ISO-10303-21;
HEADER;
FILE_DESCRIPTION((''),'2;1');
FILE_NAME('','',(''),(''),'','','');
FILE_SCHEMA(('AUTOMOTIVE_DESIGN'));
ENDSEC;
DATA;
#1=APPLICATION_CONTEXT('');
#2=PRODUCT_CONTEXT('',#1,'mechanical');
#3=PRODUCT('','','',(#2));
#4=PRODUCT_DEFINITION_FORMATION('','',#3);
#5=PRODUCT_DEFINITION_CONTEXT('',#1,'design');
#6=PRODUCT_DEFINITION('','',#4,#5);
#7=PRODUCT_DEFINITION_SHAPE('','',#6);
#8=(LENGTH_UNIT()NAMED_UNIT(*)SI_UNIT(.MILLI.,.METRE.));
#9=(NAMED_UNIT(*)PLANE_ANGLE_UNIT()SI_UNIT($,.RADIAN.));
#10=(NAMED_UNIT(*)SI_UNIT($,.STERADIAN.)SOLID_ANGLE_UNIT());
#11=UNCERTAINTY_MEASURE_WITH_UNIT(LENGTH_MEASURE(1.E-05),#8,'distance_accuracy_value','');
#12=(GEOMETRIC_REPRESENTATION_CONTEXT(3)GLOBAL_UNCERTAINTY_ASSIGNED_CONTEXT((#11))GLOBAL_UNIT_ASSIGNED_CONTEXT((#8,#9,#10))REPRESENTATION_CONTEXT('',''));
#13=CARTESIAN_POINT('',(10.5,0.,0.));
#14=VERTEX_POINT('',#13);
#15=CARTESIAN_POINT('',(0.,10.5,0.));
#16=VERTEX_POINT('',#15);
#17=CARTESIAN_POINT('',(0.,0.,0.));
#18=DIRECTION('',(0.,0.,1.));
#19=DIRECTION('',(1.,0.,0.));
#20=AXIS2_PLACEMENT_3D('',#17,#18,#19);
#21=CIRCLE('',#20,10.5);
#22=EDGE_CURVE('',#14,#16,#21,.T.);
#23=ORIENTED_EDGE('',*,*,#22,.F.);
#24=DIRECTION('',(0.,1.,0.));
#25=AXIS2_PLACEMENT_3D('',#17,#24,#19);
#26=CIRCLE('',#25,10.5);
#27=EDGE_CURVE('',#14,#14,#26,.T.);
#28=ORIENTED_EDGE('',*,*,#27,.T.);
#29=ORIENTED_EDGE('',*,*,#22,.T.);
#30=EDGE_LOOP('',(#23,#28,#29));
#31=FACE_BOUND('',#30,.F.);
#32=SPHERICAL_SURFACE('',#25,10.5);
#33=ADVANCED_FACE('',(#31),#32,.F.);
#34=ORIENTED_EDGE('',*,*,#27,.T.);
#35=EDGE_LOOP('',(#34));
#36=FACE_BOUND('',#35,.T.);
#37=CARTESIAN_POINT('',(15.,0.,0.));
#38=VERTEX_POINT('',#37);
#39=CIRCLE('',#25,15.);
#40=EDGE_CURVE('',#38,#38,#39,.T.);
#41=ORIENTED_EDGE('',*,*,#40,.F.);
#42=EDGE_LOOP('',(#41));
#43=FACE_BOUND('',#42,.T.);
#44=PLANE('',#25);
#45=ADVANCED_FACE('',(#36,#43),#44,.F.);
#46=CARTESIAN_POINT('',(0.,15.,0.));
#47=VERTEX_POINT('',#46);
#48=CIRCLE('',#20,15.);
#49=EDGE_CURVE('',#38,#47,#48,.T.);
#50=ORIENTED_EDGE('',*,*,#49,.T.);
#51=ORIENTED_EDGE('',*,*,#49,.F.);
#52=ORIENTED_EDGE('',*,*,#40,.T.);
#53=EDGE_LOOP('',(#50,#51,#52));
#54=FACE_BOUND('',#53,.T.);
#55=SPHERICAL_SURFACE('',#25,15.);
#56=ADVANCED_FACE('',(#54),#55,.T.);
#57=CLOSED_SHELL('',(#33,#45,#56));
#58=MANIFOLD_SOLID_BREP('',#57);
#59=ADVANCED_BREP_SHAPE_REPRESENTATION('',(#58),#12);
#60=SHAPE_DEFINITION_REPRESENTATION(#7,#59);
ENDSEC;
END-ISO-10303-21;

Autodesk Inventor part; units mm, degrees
ref_plane "YZ Plane" through (0, 0, 0) normal (1, 0, 0) x (0, 1, 0)
ref_plane "XZ Plane" through (0, 0, 0) normal (0, 1, 0) x (-1, 0, 0)
ref_plane "XY Plane" through (0, 0, 0) normal (0, 0, 1) x (1, 0, 0)
sketch "Sketch1" plane through (0, 0, 0) normal (0, 0, 1) x (1, 0, 0)
  line L0 (0, 0) -> (0, 15)
  line L1 (0, 0) -> (15, 0)
  arc A0 (15, 0) -> (0, 15) centre (0, 0) ccw
  line L2 (0, -3.6213) -> (0, 21.7279) projected
  dimension "d2" = 15
revolve "Revolution1" add sketch "Sketch1" angle 360 about axis through (0, -10, 0) along (0, 1, 0)
shell "Shell2" thickness 4.5 removed faces 1 at (4.7094, 0, 0)
properties part number "Ball_Half Sphere 2" material "Nylon 6/6"
